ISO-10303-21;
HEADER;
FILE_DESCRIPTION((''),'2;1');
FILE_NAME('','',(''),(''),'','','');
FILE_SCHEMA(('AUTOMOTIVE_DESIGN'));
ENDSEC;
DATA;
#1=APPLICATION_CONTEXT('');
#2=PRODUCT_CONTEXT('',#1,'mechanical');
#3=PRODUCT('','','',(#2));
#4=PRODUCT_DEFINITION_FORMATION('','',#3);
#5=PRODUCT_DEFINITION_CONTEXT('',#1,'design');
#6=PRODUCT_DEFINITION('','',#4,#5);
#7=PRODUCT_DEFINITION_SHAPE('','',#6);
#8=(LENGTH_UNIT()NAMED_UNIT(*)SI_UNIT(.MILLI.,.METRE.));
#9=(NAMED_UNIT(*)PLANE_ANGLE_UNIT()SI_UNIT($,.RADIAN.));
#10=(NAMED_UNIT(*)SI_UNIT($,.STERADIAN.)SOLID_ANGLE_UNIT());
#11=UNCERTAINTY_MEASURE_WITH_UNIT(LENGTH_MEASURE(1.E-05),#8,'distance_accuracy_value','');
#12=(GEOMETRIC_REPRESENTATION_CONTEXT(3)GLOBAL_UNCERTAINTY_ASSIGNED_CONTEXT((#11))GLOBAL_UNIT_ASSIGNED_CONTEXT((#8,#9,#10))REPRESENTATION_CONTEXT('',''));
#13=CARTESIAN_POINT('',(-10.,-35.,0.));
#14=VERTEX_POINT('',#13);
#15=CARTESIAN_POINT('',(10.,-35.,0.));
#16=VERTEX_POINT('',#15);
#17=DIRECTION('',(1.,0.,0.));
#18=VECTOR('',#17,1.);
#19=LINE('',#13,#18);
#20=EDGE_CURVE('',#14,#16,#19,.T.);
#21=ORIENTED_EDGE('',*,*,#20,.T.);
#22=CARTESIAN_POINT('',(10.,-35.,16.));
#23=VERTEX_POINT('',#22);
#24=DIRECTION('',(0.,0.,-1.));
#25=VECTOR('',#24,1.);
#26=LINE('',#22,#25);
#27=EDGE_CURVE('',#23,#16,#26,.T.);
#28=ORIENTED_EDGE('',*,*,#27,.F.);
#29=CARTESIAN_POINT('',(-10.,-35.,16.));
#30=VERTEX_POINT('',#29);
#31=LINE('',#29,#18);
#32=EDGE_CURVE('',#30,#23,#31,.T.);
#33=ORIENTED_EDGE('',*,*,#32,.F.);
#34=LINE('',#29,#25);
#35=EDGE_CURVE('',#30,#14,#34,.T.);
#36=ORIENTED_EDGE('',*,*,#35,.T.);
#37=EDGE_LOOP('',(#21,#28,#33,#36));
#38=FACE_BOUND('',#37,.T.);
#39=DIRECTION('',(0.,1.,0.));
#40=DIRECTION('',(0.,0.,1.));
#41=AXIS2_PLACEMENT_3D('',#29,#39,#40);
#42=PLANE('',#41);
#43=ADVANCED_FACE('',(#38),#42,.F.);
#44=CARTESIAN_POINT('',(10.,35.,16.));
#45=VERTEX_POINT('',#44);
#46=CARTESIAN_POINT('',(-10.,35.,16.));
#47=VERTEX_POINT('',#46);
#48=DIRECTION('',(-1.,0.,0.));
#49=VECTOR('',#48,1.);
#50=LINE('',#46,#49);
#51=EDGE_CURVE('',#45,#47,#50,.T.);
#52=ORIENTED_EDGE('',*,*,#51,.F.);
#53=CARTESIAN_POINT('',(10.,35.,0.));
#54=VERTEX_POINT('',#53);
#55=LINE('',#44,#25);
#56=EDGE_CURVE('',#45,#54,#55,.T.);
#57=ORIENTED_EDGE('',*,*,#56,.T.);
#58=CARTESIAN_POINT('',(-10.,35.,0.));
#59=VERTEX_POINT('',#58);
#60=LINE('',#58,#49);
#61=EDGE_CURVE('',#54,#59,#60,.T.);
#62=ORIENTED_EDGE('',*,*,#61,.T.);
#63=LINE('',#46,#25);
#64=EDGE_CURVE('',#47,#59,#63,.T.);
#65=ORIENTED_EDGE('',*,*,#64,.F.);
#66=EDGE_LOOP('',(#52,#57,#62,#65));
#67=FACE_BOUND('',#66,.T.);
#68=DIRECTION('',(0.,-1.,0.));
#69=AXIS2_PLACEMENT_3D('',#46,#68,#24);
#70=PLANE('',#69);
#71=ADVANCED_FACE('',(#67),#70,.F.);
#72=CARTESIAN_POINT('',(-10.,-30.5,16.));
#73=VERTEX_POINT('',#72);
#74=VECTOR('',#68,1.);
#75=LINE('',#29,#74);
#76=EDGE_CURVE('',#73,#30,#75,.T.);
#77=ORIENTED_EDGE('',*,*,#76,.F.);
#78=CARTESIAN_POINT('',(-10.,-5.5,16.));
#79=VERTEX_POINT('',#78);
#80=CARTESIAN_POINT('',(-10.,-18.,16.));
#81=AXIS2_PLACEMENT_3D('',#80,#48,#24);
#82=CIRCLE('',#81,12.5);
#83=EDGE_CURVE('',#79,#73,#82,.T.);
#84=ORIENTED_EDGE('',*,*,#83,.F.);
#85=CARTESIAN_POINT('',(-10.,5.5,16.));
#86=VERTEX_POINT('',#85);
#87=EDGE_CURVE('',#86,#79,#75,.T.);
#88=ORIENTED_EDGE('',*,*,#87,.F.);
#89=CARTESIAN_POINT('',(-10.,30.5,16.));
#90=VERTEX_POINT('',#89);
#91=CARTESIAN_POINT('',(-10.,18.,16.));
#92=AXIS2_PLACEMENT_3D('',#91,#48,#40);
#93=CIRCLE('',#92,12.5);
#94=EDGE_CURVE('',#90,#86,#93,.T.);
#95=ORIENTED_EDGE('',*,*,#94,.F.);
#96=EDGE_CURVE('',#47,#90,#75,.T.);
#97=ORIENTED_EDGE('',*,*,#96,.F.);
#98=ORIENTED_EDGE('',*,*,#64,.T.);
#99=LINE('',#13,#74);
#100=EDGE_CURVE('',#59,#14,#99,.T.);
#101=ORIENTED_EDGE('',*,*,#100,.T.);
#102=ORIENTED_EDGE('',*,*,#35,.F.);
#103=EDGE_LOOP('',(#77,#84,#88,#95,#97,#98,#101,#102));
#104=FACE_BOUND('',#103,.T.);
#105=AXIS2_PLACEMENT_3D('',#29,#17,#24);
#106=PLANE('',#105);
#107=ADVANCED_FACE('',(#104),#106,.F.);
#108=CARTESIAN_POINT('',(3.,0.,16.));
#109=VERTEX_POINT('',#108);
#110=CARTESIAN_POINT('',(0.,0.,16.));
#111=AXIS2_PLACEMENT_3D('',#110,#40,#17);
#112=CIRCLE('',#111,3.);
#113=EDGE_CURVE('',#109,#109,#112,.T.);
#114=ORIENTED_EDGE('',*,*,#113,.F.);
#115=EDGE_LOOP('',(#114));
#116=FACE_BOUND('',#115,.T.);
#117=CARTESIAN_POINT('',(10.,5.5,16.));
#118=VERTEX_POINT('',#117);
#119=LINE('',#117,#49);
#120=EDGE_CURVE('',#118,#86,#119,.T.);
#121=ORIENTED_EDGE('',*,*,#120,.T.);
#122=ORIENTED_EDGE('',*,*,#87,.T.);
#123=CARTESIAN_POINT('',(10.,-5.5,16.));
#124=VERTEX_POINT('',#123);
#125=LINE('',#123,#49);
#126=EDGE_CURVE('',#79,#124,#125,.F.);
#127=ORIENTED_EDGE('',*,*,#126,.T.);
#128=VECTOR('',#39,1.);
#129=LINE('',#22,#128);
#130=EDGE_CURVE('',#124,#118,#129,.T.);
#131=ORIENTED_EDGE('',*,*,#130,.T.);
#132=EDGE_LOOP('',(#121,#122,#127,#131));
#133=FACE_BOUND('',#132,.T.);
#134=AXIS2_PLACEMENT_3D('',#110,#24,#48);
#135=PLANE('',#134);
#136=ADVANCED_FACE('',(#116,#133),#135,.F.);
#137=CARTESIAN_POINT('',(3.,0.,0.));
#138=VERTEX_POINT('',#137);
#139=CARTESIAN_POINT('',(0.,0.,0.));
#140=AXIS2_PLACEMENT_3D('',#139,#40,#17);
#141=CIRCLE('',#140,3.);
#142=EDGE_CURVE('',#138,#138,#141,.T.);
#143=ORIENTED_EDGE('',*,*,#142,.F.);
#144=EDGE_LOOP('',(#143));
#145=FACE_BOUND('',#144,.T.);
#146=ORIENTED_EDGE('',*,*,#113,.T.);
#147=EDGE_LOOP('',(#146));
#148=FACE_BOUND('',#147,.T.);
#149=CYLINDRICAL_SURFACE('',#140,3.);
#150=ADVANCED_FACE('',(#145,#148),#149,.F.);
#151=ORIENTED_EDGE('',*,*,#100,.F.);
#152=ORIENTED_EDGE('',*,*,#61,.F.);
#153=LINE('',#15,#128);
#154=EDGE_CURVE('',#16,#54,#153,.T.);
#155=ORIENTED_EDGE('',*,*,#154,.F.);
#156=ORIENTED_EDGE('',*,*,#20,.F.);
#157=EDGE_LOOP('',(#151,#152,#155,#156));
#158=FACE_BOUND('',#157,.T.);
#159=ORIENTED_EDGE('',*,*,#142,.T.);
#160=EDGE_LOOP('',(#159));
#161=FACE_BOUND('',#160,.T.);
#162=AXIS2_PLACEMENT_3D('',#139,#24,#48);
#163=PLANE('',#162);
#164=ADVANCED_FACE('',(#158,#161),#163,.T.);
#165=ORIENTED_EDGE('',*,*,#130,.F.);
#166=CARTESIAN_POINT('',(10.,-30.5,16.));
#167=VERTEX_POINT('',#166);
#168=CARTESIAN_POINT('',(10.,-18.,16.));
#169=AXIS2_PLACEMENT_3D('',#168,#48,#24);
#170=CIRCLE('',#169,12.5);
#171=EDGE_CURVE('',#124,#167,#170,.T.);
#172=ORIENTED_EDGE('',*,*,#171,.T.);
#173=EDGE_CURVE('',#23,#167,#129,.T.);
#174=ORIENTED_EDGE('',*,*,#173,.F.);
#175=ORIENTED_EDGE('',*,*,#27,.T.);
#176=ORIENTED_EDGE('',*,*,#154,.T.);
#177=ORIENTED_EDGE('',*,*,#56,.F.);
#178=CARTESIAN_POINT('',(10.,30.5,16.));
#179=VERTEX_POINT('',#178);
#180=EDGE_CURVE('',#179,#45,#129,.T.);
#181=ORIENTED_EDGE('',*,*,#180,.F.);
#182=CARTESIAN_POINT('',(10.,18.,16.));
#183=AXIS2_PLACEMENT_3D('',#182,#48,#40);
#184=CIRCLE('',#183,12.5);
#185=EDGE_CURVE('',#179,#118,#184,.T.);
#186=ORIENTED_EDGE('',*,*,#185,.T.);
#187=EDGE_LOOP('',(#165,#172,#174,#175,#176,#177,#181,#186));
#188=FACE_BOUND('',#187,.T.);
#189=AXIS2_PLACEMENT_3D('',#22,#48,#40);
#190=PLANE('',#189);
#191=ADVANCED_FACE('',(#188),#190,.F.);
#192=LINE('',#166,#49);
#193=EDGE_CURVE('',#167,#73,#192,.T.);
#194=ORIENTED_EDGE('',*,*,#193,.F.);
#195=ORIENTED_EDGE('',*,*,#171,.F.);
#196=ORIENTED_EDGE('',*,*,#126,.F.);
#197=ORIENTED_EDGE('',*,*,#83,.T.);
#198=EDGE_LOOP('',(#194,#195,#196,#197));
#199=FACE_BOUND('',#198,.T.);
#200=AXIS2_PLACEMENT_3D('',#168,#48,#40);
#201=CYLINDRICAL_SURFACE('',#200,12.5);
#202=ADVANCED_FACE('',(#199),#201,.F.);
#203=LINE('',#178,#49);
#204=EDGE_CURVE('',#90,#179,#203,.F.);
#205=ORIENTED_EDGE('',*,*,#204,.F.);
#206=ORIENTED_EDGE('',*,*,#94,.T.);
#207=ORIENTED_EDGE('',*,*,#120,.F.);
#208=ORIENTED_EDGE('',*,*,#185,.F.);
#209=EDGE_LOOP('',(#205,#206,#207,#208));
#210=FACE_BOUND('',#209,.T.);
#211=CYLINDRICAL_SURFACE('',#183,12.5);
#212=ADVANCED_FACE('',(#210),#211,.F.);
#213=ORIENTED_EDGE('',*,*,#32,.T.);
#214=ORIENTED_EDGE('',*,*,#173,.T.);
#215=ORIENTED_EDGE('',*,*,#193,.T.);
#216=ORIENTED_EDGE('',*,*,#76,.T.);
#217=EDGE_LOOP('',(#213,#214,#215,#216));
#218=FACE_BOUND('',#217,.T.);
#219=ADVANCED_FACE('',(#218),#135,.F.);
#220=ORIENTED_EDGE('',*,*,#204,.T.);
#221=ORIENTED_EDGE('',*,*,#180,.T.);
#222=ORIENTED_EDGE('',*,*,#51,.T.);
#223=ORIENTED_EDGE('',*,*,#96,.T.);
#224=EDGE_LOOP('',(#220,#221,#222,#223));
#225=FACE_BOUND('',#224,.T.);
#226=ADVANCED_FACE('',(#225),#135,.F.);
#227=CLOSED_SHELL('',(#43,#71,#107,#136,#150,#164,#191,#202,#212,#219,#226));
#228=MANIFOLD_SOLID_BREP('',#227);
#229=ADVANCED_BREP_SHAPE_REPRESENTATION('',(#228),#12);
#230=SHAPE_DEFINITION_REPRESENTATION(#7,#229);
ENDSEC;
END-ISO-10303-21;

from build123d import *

# Parameters (mm, degrees)
SZKIC1_W                    = 20
SZKIC1_H                    = 70
DODANIE_WYCI_GNI_CIE1_DEPTH = 16
SZKIC2_R                    = 12.5
WYTNIJ_WYCI_GNI_CIE1_DEPTH  = 44.370496884
SZKIC3_R                    = 3
WYTNIJ_WYCI_GNI_CIE2_DEPTH  = 40.761790704


with BuildPart() as part:
    # Szkic1 → Dodanie-wyciągnięcie1 (new body)
    with BuildSketch(Plane.XY):
        Rectangle(SZKIC1_W, SZKIC1_H)
    extrude(amount=DODANIE_WYCI_GNI_CIE1_DEPTH)

    # Szkic2 → Wytnij-wyciągnięcie1 (cut, through all)
    with BuildSketch(Plane.ZY.offset(10)):
        with Locations((16, 18)):
            Circle(SZKIC2_R)
        with Locations((16, -18)):
            Circle(SZKIC2_R)
    extrude(amount=-WYTNIJ_WYCI_GNI_CIE1_DEPTH, mode=Mode.SUBTRACT)

    # Szkic3 → Wytnij-wyciągnięcie2 (cut, through all)
    with BuildSketch(Plane.XY.offset(16)):
        Circle(SZKIC3_R)
    extrude(amount=-WYTNIJ_WYCI_GNI_CIE2_DEPTH, mode=Mode.SUBTRACT)


solid = part.part
